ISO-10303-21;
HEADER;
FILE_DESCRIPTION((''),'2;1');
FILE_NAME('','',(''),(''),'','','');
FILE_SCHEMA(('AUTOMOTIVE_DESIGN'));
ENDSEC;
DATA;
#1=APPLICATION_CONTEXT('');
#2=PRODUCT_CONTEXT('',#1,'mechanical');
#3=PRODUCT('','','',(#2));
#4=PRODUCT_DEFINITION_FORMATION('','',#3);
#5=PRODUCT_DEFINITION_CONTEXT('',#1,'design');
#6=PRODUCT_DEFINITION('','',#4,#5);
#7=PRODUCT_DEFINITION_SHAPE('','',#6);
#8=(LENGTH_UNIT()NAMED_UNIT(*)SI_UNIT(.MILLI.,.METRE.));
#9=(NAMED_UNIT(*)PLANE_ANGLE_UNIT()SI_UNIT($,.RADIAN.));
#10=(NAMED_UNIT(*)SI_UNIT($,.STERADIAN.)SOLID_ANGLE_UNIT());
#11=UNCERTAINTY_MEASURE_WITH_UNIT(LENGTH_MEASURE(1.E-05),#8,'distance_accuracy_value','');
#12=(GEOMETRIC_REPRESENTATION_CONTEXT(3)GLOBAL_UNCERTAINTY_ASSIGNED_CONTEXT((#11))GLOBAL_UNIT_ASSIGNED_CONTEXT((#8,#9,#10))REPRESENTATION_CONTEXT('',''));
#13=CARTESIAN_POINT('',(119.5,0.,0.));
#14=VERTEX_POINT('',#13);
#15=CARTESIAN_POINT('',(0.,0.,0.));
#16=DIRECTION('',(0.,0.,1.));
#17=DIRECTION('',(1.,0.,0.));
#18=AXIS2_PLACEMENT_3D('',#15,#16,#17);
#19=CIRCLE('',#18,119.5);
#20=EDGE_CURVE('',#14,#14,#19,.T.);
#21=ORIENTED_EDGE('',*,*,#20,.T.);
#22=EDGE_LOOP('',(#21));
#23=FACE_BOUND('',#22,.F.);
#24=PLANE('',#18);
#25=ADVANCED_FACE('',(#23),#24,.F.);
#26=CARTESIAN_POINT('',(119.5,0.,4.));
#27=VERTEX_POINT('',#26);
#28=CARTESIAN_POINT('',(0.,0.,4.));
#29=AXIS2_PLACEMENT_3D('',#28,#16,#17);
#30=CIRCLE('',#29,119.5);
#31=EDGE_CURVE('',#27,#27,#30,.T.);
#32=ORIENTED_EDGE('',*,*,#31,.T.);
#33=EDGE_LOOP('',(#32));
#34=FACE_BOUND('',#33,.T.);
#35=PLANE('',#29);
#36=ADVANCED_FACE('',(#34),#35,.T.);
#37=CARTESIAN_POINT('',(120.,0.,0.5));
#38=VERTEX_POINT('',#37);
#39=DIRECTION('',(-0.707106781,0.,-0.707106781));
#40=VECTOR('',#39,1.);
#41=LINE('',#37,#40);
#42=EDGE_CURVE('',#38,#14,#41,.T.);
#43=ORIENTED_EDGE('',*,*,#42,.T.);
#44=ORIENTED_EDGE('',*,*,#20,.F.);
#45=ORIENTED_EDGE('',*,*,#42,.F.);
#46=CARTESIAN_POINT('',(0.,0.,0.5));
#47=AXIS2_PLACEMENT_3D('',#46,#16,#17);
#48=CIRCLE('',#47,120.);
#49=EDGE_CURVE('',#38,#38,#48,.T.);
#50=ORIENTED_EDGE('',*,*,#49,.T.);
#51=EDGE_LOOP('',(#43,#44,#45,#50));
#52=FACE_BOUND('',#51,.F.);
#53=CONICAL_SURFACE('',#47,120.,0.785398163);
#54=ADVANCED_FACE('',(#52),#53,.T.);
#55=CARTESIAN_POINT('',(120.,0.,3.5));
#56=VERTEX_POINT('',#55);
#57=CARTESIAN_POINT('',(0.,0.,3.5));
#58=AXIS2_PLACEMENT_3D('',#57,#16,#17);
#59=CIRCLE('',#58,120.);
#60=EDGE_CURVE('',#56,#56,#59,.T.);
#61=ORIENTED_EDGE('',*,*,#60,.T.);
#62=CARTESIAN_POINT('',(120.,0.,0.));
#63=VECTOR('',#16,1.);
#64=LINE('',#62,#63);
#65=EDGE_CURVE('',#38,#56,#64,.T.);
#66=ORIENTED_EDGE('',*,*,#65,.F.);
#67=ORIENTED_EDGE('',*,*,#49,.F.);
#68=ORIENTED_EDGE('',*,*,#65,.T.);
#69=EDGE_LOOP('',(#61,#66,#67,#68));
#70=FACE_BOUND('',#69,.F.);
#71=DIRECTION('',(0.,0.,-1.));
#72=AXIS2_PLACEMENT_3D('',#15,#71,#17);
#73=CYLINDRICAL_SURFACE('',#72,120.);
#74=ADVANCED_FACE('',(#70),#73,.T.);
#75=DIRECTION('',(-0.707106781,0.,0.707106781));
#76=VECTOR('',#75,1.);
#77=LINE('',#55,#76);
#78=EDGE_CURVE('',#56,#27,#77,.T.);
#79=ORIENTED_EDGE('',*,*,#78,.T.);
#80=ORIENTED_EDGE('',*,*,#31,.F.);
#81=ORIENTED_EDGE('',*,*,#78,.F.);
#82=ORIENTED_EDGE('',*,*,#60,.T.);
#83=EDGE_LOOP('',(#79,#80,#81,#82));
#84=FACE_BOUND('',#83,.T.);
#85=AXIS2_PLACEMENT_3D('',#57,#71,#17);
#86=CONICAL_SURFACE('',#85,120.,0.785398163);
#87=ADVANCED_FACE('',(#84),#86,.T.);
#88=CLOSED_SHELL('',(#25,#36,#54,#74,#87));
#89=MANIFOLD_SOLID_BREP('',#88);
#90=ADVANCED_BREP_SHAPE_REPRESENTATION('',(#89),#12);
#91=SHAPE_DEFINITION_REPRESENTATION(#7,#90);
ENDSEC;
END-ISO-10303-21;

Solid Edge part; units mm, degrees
sketch "Sketch1" plane through (0, 0, 0) normal (0, 0, 1) x (1, 0, 0)
  circle A0 centre (0, 0) radius 120
extrude "ExtrudedProtrusion_1" add sketch "Sketch1" along normal blind 4
chamfer "Chamfer_1" distance 0.5 angle 45 2 edges at (-120, 0, 4) (-120, 0, 0)
properties material "Aluminio"
